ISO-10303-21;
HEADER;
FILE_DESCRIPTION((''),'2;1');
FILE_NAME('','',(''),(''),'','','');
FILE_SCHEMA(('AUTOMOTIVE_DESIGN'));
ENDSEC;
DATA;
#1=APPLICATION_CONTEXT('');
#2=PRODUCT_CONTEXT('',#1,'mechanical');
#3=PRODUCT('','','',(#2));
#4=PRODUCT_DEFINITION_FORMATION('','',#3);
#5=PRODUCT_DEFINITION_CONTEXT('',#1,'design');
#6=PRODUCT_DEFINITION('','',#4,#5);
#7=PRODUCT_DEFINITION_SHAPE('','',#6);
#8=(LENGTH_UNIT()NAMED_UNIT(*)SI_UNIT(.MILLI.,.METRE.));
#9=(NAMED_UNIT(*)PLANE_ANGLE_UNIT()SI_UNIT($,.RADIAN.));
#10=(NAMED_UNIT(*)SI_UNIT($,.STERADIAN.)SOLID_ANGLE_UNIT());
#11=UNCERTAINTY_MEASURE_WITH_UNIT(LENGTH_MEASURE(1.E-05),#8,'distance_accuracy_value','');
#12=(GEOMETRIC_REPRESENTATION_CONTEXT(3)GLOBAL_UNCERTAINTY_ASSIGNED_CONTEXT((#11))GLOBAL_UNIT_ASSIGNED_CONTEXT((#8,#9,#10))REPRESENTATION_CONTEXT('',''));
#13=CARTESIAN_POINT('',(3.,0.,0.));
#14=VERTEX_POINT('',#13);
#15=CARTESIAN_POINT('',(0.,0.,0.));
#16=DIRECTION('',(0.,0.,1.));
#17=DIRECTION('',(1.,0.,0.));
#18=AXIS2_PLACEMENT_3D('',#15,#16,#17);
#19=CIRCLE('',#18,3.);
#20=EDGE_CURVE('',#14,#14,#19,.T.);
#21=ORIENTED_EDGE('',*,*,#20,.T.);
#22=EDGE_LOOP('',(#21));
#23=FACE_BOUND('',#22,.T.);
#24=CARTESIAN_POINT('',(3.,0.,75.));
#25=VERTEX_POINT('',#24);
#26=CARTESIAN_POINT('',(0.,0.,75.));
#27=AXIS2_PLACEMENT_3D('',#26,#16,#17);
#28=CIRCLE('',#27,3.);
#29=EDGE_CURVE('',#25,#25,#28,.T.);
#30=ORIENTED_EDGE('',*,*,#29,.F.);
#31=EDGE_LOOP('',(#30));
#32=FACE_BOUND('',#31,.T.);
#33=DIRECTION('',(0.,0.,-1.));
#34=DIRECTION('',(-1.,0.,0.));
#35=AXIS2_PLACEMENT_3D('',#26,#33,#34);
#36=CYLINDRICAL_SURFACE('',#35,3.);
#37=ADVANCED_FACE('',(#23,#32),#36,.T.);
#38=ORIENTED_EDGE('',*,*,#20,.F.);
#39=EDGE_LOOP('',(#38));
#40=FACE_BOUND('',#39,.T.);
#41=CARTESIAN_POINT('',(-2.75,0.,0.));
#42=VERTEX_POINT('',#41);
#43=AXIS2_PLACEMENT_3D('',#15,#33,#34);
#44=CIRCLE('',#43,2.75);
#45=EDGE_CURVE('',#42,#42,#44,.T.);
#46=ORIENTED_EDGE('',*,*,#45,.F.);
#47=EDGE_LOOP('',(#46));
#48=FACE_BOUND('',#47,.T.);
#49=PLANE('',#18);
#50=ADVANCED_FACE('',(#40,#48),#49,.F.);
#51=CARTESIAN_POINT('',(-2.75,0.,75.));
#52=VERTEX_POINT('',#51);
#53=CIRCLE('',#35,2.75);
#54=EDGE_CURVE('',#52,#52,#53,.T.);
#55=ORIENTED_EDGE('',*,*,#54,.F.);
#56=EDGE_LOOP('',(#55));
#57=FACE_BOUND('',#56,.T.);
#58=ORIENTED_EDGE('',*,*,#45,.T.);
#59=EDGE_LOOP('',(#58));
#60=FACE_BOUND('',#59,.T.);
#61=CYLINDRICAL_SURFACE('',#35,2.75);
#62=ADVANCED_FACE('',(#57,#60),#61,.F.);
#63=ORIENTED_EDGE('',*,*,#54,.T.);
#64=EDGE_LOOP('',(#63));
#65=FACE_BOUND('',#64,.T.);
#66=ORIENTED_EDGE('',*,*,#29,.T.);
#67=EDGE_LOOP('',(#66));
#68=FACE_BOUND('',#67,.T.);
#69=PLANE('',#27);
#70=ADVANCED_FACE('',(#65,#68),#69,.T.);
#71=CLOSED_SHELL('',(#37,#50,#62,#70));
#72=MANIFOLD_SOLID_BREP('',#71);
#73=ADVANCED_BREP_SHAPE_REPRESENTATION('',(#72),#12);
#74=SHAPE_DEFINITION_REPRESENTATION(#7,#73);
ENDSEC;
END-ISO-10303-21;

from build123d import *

# Parameters (mm, degrees)
SKETCH_1_R          = 3
EXTRUDE_1_DEPTH     = 75
SKETCH_2_R          = 2.75
CUT_EXTRUDE_1_DEPTH = 75


with BuildPart() as part:
    # 草图1 → 凸台-拉伸1 (new body)
    with BuildSketch(Plane.XY):
        Circle(SKETCH_1_R)
    extrude(amount=EXTRUDE_1_DEPTH)

    # 草图2 → 切除-拉伸1 (cut)
    with BuildSketch(Plane(origin=(0, 0, 0), x_dir=(-1, 0, 0), z_dir=(0, 0, -1))):
        Circle(SKETCH_2_R)
    extrude(amount=-CUT_EXTRUDE_1_DEPTH, mode=Mode.SUBTRACT)


solid = part.part
